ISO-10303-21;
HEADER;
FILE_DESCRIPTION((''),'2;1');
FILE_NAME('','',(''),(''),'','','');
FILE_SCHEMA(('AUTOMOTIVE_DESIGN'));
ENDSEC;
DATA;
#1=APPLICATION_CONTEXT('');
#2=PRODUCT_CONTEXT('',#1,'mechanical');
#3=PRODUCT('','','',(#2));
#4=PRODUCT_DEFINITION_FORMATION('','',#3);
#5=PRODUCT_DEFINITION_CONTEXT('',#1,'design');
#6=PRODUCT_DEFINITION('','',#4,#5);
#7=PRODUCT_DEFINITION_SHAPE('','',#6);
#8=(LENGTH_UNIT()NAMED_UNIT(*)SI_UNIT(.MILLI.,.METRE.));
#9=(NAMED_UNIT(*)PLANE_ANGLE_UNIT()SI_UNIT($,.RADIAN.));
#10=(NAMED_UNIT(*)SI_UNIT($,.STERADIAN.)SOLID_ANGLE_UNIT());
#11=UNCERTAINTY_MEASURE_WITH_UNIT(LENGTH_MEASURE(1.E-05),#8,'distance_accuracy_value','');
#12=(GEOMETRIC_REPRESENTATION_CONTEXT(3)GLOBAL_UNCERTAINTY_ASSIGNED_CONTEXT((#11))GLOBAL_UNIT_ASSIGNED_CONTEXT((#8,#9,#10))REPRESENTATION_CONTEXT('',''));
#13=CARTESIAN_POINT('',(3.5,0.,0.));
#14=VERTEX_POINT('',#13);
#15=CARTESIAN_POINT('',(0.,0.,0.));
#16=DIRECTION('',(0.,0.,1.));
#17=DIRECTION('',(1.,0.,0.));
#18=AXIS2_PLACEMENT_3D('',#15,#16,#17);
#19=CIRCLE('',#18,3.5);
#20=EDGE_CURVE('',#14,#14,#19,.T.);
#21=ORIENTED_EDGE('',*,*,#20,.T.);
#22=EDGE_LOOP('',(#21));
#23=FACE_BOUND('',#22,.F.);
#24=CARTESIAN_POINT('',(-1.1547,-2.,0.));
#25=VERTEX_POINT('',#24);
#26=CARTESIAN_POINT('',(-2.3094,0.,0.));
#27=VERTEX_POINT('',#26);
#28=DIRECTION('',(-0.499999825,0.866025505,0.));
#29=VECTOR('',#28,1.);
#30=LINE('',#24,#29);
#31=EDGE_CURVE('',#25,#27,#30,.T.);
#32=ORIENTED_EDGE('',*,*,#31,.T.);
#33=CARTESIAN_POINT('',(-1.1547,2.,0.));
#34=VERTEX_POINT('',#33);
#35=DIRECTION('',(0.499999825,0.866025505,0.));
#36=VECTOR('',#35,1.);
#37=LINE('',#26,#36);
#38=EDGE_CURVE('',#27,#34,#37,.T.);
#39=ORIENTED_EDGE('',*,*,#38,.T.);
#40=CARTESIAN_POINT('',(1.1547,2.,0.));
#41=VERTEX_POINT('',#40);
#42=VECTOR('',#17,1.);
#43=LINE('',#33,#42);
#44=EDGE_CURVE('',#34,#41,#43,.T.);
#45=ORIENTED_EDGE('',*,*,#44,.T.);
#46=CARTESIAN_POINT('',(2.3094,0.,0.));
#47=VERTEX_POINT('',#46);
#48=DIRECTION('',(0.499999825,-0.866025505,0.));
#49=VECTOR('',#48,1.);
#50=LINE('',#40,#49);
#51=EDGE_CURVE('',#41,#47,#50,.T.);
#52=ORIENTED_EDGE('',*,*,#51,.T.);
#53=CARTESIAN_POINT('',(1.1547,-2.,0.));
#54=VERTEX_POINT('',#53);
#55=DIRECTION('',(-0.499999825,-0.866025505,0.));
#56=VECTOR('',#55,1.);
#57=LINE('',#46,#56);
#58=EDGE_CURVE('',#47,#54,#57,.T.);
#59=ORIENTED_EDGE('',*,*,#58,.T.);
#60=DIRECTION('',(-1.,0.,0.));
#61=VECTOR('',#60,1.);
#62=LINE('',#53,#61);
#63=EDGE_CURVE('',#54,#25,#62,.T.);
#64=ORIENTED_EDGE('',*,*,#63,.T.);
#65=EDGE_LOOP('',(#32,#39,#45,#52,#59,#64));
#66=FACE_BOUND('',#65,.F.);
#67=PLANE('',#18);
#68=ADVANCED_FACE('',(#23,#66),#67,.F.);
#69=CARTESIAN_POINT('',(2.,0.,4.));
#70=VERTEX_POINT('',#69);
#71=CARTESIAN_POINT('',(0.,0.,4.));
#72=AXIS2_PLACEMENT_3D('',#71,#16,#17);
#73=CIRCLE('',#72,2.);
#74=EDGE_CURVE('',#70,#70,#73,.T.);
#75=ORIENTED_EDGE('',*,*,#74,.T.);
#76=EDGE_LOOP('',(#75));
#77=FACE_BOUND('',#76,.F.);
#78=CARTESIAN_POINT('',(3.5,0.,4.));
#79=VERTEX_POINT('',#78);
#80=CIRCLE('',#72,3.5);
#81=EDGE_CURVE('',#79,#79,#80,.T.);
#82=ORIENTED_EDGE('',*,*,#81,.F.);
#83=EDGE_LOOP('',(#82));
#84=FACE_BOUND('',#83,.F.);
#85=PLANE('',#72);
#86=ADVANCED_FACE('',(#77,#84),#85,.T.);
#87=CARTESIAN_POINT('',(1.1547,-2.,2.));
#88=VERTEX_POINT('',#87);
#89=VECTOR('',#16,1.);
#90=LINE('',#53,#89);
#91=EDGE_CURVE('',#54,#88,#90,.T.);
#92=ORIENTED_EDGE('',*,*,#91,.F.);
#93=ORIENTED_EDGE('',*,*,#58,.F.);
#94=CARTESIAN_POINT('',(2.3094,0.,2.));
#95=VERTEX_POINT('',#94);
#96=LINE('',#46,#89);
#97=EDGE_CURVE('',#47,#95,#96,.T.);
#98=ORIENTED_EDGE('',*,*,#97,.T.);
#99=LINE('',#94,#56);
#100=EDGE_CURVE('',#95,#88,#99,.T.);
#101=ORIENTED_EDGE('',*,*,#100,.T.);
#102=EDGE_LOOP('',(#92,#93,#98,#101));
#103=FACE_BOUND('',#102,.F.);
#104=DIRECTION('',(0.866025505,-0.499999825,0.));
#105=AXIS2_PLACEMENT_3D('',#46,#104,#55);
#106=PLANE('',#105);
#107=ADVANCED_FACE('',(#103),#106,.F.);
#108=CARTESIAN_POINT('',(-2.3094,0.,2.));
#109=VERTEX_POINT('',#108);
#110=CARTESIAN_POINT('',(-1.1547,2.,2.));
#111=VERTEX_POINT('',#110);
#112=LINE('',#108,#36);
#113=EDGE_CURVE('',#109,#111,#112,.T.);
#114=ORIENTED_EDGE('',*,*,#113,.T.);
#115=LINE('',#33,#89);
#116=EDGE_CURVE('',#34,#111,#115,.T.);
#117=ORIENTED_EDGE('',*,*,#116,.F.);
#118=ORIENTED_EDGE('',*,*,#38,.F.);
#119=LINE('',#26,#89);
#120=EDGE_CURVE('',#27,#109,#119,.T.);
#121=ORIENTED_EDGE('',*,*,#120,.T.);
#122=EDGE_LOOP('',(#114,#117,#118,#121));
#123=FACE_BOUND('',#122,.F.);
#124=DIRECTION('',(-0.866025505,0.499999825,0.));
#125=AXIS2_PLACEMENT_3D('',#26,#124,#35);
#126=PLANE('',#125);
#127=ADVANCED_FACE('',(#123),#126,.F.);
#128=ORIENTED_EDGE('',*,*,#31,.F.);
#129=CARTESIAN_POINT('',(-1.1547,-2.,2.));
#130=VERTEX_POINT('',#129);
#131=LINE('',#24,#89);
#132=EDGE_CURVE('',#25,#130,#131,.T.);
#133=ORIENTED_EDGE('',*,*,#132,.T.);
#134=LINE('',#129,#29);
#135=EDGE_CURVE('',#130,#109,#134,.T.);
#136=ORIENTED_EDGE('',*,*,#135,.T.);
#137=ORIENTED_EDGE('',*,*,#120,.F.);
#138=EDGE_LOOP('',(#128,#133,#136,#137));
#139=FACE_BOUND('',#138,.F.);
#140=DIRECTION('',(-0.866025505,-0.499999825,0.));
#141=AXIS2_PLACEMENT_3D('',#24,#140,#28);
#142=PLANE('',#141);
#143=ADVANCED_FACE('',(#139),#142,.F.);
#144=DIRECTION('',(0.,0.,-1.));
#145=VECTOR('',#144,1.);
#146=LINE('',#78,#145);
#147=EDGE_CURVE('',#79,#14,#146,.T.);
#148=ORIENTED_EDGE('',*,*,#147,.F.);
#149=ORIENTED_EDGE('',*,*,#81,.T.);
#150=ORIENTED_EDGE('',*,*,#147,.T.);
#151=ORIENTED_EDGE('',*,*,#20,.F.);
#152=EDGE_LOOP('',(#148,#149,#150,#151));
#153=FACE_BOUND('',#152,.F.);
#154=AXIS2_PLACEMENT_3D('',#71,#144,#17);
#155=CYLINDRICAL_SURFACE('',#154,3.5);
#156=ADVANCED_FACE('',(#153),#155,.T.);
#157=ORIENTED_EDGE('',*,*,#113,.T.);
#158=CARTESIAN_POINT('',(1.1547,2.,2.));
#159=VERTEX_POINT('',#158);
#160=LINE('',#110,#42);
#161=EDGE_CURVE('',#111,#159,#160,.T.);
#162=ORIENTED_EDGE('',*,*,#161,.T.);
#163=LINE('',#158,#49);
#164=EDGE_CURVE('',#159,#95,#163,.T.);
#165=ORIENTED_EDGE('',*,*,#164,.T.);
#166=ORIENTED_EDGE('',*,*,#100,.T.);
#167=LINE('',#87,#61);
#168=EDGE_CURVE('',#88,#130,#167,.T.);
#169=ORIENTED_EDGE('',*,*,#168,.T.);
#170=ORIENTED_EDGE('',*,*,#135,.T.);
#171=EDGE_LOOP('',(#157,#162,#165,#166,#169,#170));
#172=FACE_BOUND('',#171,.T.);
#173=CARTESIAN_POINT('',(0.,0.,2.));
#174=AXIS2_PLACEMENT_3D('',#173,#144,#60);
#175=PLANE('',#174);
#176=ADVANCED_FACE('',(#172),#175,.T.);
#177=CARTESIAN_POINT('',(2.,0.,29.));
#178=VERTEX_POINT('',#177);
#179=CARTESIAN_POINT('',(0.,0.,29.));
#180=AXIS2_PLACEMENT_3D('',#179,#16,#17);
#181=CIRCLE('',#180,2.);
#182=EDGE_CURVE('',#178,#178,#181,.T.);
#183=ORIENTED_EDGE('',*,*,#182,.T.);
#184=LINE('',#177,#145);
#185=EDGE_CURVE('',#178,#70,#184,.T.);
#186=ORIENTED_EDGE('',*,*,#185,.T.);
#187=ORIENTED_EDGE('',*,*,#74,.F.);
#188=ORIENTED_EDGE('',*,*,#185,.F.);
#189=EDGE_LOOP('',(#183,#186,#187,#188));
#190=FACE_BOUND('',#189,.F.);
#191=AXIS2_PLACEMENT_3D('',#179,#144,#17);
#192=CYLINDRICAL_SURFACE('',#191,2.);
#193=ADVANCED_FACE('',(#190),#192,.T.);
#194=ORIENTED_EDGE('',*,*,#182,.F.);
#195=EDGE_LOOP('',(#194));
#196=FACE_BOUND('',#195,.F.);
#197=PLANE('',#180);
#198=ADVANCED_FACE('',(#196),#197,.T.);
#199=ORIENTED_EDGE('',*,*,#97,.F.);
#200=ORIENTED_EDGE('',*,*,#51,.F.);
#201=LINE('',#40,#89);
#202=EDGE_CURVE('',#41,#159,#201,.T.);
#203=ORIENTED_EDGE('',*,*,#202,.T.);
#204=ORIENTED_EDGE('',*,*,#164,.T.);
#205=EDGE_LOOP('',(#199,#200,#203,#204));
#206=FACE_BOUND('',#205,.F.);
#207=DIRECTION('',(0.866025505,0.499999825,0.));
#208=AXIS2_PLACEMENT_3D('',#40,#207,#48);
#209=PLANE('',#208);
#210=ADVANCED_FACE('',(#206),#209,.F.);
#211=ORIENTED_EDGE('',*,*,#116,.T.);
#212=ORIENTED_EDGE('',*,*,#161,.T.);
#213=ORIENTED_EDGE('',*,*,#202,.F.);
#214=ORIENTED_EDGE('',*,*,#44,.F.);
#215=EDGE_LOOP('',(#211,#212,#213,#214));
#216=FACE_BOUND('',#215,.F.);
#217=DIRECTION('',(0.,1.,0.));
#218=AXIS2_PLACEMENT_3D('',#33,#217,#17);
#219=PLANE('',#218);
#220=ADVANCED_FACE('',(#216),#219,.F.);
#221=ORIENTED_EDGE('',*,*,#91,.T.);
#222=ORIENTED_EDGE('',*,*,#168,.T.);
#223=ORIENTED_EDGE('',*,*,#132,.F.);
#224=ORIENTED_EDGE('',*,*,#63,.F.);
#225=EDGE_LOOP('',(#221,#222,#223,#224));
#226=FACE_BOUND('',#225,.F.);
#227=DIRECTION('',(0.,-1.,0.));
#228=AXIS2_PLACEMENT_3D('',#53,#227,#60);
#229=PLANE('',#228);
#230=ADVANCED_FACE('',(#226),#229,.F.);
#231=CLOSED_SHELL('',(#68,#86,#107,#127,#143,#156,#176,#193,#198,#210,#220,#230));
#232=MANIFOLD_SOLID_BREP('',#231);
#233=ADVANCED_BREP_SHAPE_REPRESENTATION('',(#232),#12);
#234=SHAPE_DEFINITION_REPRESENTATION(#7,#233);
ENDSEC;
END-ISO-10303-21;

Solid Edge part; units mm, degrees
sketch "Sketch1" plane through (0, 0, 0) normal (0, -1, 0) x (1, 0, 0)
  line L0 (0, 29) -> (2, 29)
  line L1 (2, 29) -> (2, 4)
  line L2 (2, 4) -> (3.5, 4)
  line L3 (3.5, 4) -> (3.5, 0)
  line L4 (3.5, 0) -> (0, 0)
  dimension "D1" = 4
  dimension "D2" = 25
  dimension "D3" = 3.5
  dimension "D4" = 2
revolve "RevolvedProtrusion1" add sketch "Sketch1" angle 360 about axis through (0, 0, 0) along (0, 0, 1)
cosmetic_thread "Thread1" size "M4"
sketch "Sketch2" plane through (0, 0, 0) normal (0, 0, -1) x (1, 0, 0)
  line L0 (-1.1547, 2) -> (-2.3094, 0)
  line L1 (-2.3094, 0) -> (-1.1547, -2)
  line L2 (-1.1547, -2) -> (1.1547, -2)
  line L3 (1.1547, -2) -> (2.3094, 0)
  line L4 (2.3094, 0) -> (1.1547, 2)
  line L5 (1.1547, 2) -> (-1.1547, 2)
  dimension "D1" = 2.3094
extrude "Cutout1" cut sketch "Sketch2" against normal blind 2
